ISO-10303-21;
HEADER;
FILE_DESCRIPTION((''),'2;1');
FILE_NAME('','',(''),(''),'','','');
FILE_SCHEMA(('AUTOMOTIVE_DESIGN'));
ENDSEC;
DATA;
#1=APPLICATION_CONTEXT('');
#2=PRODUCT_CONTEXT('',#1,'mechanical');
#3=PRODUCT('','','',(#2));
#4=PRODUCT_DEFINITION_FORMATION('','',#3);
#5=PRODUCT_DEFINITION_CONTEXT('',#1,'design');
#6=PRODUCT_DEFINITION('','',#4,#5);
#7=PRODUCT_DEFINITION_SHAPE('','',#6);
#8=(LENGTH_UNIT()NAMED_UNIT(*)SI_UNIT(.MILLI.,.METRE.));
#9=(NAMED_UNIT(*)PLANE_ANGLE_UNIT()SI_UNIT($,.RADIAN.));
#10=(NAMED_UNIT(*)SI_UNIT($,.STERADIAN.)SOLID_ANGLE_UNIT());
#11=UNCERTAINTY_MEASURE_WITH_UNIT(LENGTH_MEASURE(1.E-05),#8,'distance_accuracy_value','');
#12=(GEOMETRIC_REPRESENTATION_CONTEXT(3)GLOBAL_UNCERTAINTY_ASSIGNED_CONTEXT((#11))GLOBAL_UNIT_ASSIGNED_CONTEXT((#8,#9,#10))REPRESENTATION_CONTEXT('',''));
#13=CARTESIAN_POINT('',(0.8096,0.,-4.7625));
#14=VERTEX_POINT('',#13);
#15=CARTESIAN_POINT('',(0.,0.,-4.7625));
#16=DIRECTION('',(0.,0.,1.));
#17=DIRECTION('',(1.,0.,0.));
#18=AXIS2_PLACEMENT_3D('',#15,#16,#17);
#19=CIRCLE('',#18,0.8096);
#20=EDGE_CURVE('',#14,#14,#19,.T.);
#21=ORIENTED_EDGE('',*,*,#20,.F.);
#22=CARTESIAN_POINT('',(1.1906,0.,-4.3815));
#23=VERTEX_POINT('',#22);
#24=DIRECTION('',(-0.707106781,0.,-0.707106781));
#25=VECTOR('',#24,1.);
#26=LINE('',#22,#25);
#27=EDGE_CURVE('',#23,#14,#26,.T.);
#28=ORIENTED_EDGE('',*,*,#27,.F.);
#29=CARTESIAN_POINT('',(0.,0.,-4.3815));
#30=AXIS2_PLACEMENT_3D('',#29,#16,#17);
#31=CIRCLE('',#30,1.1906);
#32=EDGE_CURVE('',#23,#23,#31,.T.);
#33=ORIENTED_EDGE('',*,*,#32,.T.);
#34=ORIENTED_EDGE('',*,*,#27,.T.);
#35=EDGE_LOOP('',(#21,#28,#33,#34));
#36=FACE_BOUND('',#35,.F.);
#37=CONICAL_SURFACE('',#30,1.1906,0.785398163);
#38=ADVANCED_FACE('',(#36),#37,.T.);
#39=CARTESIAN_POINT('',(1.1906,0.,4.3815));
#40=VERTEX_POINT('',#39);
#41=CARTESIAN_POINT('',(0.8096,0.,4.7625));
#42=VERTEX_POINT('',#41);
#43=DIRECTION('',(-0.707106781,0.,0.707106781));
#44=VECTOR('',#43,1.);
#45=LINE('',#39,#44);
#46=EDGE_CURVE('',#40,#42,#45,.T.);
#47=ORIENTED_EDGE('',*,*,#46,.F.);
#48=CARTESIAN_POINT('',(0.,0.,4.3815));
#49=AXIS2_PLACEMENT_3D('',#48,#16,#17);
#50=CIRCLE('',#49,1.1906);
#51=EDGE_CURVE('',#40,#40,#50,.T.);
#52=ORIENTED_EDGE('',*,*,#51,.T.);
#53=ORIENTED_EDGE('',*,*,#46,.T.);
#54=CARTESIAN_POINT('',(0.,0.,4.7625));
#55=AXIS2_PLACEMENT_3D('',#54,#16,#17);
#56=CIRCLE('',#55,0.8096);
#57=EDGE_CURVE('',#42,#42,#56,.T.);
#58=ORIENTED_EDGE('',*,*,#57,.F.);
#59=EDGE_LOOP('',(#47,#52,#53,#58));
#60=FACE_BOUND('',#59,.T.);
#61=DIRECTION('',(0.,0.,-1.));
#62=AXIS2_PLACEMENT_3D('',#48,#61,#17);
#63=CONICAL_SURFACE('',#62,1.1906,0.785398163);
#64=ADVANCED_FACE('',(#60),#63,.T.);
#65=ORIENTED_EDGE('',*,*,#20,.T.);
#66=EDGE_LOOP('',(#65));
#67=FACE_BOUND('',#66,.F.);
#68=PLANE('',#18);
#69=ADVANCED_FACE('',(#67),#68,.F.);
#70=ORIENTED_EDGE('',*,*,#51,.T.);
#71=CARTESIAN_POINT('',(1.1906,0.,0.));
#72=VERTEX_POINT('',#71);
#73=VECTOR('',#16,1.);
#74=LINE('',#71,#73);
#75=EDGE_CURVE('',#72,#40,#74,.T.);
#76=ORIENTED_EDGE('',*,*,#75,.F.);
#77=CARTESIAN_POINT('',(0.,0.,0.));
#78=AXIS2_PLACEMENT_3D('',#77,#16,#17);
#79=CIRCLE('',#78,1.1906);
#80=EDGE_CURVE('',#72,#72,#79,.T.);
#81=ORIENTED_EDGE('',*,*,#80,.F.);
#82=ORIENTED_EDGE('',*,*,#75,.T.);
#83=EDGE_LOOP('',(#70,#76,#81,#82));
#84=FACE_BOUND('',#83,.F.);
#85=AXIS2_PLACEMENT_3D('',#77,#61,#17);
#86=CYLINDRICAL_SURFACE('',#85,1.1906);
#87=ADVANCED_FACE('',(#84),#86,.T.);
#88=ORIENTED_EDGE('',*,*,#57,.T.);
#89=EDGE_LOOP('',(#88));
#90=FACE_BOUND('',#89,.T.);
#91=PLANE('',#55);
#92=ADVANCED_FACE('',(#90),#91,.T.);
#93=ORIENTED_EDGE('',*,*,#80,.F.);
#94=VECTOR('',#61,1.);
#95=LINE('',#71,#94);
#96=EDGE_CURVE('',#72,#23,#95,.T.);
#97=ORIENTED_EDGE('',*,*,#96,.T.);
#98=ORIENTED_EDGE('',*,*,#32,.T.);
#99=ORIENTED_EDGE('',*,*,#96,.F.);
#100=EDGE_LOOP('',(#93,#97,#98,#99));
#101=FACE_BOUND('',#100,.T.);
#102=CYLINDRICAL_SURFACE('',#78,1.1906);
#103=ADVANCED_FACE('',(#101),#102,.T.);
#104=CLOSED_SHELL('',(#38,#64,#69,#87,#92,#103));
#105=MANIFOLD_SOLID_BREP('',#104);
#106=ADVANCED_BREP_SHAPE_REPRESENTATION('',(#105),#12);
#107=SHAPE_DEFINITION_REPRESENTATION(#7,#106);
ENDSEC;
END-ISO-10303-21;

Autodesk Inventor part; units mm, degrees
ref_plane "YZ Plane" through (0, 0, 0) normal (1, 0, 0) x (0, 1, 0)
ref_plane "XZ Plane" through (0, 0, 0) normal (0, 1, 0) x (-1, 0, 0)
ref_plane "XY Plane" through (0, 0, 0) normal (0, 0, 1) x (1, 0, 0)
sketch "Sketch1" plane through (0, 0, 0) normal (0, 0, 1) x (1, 0, 0)
  circle A0 centre (0, 0) radius 1.1906
  dimension "d0" = 2.3813
extrude "Extrusion1" add sketch "Sketch1" along normal mid plane 9.525
chamfer "Chamfer1" distance 0.381 angle 45 2 edges at (-1.1906, 0, 4.7625) (-1.1906, 0, -4.7625)
properties part number "Hex Axle Pin"
